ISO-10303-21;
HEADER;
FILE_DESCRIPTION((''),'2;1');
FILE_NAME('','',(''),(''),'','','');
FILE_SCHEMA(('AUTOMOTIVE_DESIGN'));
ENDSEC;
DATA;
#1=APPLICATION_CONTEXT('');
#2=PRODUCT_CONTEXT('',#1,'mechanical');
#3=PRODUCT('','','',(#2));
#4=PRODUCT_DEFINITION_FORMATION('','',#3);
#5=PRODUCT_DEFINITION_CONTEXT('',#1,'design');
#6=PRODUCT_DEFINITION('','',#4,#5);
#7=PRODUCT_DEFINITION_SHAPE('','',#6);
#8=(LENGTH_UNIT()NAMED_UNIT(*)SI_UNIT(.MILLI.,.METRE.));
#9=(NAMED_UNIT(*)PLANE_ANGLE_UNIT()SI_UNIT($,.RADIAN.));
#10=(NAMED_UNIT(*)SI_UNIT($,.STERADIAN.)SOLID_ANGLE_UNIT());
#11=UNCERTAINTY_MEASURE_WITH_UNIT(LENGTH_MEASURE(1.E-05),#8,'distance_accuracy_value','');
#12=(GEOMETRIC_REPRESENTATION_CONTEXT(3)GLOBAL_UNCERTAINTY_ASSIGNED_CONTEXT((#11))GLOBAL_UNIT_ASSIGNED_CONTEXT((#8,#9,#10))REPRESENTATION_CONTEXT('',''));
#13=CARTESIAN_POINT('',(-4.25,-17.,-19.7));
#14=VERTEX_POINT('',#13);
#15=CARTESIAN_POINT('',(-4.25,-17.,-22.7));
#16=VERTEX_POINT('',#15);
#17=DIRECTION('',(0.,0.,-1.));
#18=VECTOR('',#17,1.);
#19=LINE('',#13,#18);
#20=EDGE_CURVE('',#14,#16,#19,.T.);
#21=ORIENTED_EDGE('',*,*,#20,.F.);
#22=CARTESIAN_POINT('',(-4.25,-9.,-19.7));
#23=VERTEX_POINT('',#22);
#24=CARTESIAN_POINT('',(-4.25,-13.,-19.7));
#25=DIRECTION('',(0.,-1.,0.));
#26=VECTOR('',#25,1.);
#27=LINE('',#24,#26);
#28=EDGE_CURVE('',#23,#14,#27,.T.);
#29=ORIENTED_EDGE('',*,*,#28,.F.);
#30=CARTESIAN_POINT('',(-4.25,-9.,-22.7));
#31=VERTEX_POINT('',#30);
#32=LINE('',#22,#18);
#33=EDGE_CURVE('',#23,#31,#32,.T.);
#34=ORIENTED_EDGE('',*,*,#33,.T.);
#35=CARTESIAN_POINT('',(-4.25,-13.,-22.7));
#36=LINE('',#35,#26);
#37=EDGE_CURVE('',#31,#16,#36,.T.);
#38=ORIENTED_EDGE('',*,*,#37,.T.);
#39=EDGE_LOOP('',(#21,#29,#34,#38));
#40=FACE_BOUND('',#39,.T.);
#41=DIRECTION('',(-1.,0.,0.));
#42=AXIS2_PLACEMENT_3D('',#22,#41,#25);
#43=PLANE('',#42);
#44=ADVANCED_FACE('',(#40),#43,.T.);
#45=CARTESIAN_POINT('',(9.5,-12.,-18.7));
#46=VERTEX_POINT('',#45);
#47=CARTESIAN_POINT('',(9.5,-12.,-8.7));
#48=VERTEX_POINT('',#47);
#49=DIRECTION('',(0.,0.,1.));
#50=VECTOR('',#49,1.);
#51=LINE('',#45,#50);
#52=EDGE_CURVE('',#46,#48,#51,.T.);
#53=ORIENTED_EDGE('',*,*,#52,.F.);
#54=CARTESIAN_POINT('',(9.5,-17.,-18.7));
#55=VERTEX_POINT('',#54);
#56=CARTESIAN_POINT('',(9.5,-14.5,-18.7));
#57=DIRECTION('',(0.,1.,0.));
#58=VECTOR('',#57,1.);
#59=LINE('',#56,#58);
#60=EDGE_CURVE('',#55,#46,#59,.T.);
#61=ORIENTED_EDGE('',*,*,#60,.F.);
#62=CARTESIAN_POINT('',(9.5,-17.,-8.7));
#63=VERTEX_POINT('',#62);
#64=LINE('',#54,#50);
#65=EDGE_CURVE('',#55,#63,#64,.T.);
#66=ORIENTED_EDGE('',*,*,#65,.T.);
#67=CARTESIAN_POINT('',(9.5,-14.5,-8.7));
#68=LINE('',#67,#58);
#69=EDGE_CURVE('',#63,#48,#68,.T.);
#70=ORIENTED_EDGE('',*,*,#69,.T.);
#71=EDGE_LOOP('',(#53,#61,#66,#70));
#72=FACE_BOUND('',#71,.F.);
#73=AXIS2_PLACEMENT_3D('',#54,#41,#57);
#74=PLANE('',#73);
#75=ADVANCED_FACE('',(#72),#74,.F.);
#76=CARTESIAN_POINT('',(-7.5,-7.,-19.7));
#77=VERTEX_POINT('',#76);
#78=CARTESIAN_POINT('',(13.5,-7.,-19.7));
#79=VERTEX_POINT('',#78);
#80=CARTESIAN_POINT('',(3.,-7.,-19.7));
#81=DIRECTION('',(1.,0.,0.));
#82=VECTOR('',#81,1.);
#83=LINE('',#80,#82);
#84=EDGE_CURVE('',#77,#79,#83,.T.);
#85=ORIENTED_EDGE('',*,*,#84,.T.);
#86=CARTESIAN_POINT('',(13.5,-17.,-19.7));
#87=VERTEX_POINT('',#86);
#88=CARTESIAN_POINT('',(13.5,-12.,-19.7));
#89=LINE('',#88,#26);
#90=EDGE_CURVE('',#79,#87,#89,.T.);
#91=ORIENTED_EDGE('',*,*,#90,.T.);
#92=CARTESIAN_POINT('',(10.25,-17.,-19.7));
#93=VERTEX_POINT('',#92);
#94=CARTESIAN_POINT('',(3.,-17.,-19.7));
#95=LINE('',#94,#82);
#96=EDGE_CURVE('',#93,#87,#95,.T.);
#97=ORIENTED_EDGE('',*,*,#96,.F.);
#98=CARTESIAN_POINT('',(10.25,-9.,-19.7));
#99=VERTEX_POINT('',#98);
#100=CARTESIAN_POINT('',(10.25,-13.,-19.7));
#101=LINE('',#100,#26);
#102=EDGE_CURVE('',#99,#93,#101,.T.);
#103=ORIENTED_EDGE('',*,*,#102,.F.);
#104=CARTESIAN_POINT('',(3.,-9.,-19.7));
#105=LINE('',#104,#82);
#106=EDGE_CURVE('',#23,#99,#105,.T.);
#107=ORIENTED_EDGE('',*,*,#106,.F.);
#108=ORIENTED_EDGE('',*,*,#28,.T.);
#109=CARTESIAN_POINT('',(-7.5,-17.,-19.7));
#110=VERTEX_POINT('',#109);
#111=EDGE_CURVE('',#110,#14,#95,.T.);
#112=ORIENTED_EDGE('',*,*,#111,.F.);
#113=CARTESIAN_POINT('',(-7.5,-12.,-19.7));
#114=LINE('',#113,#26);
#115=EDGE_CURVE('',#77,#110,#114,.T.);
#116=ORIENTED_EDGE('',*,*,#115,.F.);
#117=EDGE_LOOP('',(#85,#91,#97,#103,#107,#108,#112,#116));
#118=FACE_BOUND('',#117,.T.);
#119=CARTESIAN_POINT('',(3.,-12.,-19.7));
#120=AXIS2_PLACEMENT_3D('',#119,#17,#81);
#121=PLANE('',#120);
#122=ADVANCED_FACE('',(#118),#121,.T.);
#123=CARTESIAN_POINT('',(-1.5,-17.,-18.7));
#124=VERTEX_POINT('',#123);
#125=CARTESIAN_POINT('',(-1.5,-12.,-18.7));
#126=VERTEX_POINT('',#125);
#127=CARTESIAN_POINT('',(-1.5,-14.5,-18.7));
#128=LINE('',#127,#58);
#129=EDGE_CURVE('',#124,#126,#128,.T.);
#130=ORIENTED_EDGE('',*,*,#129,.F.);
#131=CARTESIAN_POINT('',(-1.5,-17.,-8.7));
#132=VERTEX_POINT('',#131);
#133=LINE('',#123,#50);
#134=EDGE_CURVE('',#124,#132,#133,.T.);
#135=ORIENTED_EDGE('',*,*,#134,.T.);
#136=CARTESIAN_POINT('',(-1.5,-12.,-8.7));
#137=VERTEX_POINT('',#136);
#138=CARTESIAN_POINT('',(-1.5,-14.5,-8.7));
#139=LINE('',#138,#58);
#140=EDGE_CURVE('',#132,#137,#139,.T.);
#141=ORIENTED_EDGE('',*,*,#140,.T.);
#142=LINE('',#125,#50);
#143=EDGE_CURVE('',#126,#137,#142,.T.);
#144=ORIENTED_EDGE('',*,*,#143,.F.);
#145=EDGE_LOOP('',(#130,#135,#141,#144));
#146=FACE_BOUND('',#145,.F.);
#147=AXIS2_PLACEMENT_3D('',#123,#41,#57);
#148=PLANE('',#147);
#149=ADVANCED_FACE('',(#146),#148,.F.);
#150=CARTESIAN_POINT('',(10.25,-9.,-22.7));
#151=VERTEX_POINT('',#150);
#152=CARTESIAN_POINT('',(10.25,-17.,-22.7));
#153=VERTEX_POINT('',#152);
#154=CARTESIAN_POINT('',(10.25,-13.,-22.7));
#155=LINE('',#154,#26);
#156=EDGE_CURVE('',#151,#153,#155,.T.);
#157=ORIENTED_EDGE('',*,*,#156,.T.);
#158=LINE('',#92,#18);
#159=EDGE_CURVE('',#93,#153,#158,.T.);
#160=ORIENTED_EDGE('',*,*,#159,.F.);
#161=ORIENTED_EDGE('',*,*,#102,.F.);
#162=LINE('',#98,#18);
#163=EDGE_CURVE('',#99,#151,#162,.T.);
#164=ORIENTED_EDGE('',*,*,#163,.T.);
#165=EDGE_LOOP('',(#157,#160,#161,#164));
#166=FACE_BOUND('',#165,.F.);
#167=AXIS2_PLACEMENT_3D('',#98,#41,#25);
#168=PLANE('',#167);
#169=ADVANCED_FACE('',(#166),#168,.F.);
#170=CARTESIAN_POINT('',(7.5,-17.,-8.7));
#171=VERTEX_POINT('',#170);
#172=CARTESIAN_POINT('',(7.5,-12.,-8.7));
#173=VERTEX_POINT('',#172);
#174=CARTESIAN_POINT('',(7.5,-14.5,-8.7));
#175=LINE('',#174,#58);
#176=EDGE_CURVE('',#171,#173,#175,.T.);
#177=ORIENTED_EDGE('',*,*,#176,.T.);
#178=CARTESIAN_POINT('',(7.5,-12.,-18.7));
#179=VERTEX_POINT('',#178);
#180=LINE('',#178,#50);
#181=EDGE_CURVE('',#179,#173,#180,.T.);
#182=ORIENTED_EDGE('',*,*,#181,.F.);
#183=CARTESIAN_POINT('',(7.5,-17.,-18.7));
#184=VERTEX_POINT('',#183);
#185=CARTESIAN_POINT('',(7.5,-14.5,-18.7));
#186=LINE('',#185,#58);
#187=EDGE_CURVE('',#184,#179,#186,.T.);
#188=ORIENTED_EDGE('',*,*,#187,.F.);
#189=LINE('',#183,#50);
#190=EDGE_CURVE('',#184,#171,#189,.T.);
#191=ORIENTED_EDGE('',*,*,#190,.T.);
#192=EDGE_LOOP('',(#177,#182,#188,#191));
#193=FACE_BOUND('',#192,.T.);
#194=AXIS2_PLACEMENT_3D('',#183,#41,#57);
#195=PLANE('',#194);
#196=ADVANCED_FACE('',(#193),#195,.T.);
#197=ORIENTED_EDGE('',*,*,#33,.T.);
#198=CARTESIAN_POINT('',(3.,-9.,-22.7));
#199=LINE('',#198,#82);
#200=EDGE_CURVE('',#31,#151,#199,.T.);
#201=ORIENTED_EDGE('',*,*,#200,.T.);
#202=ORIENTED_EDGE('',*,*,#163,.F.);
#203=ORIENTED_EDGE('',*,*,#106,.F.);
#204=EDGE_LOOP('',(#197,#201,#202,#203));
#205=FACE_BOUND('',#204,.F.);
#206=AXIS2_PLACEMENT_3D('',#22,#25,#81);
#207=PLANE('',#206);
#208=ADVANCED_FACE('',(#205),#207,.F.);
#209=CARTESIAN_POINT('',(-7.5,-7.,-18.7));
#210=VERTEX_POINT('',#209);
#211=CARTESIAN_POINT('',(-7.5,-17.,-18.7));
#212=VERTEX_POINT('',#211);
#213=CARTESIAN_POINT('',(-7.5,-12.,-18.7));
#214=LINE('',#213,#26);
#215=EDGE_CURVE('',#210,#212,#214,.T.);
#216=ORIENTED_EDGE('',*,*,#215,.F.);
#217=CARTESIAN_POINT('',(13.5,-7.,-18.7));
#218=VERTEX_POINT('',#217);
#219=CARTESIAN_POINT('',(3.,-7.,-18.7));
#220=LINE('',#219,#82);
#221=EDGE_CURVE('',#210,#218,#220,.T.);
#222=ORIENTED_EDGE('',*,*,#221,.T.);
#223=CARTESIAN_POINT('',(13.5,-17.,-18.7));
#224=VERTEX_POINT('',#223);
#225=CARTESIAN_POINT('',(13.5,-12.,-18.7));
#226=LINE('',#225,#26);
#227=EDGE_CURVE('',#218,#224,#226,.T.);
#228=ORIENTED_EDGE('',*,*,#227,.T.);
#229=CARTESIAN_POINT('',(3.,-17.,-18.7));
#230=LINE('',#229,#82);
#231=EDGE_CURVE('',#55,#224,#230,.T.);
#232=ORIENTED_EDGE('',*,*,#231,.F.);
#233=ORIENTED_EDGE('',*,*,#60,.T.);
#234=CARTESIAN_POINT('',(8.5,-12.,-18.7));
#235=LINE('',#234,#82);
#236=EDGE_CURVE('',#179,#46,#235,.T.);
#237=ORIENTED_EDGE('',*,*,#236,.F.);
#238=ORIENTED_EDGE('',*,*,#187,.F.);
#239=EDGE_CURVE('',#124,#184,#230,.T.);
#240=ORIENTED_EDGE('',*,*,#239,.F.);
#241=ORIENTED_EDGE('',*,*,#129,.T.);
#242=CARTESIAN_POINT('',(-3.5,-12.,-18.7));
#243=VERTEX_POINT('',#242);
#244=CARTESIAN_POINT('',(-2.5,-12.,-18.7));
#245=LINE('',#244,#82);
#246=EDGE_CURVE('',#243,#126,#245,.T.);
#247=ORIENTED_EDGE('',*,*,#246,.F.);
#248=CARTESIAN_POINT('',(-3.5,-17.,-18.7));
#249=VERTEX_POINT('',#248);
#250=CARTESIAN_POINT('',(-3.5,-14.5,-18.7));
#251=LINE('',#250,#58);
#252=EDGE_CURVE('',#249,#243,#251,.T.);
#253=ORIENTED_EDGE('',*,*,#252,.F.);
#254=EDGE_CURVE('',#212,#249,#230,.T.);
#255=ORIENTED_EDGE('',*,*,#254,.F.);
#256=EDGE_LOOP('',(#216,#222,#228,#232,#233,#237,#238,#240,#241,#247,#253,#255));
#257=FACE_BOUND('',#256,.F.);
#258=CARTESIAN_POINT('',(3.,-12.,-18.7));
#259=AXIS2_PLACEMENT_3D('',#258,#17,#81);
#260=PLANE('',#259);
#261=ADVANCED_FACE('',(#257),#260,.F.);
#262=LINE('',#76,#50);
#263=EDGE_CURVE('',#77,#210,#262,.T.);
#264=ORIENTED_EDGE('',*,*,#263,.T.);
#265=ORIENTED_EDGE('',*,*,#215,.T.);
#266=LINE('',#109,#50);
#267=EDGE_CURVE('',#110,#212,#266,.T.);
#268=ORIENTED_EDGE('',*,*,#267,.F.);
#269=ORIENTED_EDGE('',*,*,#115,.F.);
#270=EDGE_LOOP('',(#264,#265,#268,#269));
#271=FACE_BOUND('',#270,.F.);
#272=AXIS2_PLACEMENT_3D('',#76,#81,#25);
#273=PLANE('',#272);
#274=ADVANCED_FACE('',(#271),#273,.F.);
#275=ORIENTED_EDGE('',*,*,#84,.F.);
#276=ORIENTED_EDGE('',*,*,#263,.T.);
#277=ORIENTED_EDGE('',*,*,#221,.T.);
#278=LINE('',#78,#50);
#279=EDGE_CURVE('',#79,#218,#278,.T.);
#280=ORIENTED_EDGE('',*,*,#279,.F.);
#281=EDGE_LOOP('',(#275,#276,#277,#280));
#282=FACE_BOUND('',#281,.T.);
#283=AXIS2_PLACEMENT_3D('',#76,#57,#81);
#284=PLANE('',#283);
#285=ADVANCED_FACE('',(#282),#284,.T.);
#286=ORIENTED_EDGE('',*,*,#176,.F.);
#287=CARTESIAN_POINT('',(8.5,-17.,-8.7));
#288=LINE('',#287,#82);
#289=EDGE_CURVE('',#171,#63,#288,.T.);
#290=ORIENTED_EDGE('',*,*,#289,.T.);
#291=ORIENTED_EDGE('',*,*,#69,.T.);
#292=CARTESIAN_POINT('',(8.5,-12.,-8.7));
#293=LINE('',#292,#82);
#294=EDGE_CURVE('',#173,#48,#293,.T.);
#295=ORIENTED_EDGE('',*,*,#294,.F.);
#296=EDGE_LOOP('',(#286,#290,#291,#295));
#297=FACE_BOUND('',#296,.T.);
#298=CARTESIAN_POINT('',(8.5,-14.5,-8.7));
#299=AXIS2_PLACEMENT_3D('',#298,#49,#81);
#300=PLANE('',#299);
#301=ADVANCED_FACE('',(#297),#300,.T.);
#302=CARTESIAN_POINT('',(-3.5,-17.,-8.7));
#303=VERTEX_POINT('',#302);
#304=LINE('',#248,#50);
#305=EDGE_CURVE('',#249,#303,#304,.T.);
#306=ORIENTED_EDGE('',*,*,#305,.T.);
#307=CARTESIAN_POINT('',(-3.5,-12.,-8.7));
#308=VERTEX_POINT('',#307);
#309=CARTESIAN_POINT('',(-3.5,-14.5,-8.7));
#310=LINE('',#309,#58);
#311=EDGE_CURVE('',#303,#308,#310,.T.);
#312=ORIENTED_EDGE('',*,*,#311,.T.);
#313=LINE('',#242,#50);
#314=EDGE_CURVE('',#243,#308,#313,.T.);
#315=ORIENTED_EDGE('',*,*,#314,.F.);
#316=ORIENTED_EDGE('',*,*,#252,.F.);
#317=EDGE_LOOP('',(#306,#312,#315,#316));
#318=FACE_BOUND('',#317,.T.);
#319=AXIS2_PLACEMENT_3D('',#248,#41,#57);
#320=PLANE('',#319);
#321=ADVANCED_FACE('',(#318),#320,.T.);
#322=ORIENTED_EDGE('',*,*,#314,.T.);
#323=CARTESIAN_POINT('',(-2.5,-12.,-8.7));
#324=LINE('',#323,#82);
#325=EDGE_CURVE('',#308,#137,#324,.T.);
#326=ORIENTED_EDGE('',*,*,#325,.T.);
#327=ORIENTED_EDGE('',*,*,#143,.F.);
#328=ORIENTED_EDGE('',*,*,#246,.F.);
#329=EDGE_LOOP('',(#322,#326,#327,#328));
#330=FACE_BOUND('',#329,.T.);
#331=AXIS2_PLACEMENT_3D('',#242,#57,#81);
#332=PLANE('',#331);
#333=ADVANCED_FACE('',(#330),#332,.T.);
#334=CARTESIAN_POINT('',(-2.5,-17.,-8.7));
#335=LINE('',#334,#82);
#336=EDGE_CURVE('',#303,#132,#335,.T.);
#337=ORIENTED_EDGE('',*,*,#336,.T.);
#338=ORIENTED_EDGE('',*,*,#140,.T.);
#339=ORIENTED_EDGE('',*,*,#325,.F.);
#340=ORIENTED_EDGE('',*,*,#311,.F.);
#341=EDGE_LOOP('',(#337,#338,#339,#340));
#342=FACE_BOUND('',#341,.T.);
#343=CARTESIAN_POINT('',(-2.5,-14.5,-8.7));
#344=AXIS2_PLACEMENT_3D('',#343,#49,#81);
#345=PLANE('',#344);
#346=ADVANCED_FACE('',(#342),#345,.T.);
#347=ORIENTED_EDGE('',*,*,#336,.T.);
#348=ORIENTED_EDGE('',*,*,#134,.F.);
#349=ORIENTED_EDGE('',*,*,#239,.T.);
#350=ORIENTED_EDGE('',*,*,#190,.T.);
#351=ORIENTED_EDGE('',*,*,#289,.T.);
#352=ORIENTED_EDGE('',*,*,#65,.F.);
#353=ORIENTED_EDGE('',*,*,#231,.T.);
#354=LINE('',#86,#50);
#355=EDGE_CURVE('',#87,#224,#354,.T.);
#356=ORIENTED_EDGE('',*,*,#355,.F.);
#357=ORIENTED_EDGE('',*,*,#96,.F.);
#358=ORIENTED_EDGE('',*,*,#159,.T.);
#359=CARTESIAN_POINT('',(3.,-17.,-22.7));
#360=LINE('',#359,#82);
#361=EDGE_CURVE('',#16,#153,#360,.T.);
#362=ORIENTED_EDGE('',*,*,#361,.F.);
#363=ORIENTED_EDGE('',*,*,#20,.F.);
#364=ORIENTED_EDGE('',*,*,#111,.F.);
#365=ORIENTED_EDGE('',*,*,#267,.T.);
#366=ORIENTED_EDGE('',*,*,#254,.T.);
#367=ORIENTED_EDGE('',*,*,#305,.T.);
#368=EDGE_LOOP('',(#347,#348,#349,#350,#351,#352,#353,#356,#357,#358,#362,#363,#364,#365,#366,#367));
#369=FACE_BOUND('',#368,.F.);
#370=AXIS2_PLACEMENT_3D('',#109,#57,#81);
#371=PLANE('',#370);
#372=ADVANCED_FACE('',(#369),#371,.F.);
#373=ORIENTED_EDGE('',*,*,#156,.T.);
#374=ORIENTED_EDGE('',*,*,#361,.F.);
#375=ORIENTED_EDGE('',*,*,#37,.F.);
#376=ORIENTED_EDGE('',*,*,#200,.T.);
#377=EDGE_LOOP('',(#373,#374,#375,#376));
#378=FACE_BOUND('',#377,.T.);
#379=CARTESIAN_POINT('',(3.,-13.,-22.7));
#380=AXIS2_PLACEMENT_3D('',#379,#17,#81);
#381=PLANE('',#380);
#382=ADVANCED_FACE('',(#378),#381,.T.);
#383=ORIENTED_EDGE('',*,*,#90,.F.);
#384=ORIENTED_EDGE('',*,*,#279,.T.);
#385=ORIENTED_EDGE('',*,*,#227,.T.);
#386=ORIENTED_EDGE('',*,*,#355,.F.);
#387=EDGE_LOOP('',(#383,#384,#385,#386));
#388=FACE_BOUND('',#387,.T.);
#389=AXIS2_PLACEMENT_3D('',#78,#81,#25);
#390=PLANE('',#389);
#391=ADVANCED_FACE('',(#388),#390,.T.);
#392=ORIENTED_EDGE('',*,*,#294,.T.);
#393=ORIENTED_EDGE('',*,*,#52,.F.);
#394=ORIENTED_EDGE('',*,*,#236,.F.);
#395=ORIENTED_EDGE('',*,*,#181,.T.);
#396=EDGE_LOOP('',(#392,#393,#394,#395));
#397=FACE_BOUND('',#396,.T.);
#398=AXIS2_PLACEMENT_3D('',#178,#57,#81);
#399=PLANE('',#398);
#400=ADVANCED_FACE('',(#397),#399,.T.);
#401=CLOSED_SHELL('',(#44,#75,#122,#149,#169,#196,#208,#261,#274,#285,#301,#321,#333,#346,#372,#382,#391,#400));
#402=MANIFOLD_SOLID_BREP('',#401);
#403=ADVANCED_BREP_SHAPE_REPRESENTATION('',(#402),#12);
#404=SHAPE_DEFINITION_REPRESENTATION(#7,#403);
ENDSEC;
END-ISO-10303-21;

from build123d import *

# Parameters (mm, degrees)
SKETCH124_W             = 14.5
SKETCH124_H             = 8
PAD065_DEPTH            = 3
SKETCH125_W             = 21
SKETCH125_H             = 10
PAD066_DEPTH            = 1
SKETCH126_W             = 2
SKETCH126_H             = 5
PAD067_DEPTH            = 10
BODY024_PLACEMENT_ANGLE = 180


with BuildPart() as part:
    # Sketch124 → Pad065 (new body)
    with BuildSketch(Plane.XY):
        Rectangle(SKETCH124_W, SKETCH124_H)
    extrude(amount=PAD065_DEPTH)

    # Sketch125 → Pad066 (join)
    with BuildSketch(Plane.XY):
        with Locations((0, -1)):
            Rectangle(SKETCH125_W, SKETCH125_H)
    extrude(amount=-PAD066_DEPTH)

    # Sketch126 → Pad067 (join)
    with BuildSketch(Plane(origin=(0, 0, -1), x_dir=(1, 0, 0), z_dir=(0, 0, -1))):
        with Locations((-5.5, -1.5)):
            Rectangle(SKETCH126_W, SKETCH126_H)
        with Locations((5.5, -1.5)):
            Rectangle(SKETCH126_W, SKETCH126_H)
    extrude(amount=PAD067_DEPTH)


with BuildPart() as part_1:
    # Body024 placement: moved
    add(part.part.moved(Location((3, -13, -19.7))).rotate(Axis((3, -13, -19.7), (1, 0, 0)), BODY024_PLACEMENT_ANGLE))


solid = part_1.part
